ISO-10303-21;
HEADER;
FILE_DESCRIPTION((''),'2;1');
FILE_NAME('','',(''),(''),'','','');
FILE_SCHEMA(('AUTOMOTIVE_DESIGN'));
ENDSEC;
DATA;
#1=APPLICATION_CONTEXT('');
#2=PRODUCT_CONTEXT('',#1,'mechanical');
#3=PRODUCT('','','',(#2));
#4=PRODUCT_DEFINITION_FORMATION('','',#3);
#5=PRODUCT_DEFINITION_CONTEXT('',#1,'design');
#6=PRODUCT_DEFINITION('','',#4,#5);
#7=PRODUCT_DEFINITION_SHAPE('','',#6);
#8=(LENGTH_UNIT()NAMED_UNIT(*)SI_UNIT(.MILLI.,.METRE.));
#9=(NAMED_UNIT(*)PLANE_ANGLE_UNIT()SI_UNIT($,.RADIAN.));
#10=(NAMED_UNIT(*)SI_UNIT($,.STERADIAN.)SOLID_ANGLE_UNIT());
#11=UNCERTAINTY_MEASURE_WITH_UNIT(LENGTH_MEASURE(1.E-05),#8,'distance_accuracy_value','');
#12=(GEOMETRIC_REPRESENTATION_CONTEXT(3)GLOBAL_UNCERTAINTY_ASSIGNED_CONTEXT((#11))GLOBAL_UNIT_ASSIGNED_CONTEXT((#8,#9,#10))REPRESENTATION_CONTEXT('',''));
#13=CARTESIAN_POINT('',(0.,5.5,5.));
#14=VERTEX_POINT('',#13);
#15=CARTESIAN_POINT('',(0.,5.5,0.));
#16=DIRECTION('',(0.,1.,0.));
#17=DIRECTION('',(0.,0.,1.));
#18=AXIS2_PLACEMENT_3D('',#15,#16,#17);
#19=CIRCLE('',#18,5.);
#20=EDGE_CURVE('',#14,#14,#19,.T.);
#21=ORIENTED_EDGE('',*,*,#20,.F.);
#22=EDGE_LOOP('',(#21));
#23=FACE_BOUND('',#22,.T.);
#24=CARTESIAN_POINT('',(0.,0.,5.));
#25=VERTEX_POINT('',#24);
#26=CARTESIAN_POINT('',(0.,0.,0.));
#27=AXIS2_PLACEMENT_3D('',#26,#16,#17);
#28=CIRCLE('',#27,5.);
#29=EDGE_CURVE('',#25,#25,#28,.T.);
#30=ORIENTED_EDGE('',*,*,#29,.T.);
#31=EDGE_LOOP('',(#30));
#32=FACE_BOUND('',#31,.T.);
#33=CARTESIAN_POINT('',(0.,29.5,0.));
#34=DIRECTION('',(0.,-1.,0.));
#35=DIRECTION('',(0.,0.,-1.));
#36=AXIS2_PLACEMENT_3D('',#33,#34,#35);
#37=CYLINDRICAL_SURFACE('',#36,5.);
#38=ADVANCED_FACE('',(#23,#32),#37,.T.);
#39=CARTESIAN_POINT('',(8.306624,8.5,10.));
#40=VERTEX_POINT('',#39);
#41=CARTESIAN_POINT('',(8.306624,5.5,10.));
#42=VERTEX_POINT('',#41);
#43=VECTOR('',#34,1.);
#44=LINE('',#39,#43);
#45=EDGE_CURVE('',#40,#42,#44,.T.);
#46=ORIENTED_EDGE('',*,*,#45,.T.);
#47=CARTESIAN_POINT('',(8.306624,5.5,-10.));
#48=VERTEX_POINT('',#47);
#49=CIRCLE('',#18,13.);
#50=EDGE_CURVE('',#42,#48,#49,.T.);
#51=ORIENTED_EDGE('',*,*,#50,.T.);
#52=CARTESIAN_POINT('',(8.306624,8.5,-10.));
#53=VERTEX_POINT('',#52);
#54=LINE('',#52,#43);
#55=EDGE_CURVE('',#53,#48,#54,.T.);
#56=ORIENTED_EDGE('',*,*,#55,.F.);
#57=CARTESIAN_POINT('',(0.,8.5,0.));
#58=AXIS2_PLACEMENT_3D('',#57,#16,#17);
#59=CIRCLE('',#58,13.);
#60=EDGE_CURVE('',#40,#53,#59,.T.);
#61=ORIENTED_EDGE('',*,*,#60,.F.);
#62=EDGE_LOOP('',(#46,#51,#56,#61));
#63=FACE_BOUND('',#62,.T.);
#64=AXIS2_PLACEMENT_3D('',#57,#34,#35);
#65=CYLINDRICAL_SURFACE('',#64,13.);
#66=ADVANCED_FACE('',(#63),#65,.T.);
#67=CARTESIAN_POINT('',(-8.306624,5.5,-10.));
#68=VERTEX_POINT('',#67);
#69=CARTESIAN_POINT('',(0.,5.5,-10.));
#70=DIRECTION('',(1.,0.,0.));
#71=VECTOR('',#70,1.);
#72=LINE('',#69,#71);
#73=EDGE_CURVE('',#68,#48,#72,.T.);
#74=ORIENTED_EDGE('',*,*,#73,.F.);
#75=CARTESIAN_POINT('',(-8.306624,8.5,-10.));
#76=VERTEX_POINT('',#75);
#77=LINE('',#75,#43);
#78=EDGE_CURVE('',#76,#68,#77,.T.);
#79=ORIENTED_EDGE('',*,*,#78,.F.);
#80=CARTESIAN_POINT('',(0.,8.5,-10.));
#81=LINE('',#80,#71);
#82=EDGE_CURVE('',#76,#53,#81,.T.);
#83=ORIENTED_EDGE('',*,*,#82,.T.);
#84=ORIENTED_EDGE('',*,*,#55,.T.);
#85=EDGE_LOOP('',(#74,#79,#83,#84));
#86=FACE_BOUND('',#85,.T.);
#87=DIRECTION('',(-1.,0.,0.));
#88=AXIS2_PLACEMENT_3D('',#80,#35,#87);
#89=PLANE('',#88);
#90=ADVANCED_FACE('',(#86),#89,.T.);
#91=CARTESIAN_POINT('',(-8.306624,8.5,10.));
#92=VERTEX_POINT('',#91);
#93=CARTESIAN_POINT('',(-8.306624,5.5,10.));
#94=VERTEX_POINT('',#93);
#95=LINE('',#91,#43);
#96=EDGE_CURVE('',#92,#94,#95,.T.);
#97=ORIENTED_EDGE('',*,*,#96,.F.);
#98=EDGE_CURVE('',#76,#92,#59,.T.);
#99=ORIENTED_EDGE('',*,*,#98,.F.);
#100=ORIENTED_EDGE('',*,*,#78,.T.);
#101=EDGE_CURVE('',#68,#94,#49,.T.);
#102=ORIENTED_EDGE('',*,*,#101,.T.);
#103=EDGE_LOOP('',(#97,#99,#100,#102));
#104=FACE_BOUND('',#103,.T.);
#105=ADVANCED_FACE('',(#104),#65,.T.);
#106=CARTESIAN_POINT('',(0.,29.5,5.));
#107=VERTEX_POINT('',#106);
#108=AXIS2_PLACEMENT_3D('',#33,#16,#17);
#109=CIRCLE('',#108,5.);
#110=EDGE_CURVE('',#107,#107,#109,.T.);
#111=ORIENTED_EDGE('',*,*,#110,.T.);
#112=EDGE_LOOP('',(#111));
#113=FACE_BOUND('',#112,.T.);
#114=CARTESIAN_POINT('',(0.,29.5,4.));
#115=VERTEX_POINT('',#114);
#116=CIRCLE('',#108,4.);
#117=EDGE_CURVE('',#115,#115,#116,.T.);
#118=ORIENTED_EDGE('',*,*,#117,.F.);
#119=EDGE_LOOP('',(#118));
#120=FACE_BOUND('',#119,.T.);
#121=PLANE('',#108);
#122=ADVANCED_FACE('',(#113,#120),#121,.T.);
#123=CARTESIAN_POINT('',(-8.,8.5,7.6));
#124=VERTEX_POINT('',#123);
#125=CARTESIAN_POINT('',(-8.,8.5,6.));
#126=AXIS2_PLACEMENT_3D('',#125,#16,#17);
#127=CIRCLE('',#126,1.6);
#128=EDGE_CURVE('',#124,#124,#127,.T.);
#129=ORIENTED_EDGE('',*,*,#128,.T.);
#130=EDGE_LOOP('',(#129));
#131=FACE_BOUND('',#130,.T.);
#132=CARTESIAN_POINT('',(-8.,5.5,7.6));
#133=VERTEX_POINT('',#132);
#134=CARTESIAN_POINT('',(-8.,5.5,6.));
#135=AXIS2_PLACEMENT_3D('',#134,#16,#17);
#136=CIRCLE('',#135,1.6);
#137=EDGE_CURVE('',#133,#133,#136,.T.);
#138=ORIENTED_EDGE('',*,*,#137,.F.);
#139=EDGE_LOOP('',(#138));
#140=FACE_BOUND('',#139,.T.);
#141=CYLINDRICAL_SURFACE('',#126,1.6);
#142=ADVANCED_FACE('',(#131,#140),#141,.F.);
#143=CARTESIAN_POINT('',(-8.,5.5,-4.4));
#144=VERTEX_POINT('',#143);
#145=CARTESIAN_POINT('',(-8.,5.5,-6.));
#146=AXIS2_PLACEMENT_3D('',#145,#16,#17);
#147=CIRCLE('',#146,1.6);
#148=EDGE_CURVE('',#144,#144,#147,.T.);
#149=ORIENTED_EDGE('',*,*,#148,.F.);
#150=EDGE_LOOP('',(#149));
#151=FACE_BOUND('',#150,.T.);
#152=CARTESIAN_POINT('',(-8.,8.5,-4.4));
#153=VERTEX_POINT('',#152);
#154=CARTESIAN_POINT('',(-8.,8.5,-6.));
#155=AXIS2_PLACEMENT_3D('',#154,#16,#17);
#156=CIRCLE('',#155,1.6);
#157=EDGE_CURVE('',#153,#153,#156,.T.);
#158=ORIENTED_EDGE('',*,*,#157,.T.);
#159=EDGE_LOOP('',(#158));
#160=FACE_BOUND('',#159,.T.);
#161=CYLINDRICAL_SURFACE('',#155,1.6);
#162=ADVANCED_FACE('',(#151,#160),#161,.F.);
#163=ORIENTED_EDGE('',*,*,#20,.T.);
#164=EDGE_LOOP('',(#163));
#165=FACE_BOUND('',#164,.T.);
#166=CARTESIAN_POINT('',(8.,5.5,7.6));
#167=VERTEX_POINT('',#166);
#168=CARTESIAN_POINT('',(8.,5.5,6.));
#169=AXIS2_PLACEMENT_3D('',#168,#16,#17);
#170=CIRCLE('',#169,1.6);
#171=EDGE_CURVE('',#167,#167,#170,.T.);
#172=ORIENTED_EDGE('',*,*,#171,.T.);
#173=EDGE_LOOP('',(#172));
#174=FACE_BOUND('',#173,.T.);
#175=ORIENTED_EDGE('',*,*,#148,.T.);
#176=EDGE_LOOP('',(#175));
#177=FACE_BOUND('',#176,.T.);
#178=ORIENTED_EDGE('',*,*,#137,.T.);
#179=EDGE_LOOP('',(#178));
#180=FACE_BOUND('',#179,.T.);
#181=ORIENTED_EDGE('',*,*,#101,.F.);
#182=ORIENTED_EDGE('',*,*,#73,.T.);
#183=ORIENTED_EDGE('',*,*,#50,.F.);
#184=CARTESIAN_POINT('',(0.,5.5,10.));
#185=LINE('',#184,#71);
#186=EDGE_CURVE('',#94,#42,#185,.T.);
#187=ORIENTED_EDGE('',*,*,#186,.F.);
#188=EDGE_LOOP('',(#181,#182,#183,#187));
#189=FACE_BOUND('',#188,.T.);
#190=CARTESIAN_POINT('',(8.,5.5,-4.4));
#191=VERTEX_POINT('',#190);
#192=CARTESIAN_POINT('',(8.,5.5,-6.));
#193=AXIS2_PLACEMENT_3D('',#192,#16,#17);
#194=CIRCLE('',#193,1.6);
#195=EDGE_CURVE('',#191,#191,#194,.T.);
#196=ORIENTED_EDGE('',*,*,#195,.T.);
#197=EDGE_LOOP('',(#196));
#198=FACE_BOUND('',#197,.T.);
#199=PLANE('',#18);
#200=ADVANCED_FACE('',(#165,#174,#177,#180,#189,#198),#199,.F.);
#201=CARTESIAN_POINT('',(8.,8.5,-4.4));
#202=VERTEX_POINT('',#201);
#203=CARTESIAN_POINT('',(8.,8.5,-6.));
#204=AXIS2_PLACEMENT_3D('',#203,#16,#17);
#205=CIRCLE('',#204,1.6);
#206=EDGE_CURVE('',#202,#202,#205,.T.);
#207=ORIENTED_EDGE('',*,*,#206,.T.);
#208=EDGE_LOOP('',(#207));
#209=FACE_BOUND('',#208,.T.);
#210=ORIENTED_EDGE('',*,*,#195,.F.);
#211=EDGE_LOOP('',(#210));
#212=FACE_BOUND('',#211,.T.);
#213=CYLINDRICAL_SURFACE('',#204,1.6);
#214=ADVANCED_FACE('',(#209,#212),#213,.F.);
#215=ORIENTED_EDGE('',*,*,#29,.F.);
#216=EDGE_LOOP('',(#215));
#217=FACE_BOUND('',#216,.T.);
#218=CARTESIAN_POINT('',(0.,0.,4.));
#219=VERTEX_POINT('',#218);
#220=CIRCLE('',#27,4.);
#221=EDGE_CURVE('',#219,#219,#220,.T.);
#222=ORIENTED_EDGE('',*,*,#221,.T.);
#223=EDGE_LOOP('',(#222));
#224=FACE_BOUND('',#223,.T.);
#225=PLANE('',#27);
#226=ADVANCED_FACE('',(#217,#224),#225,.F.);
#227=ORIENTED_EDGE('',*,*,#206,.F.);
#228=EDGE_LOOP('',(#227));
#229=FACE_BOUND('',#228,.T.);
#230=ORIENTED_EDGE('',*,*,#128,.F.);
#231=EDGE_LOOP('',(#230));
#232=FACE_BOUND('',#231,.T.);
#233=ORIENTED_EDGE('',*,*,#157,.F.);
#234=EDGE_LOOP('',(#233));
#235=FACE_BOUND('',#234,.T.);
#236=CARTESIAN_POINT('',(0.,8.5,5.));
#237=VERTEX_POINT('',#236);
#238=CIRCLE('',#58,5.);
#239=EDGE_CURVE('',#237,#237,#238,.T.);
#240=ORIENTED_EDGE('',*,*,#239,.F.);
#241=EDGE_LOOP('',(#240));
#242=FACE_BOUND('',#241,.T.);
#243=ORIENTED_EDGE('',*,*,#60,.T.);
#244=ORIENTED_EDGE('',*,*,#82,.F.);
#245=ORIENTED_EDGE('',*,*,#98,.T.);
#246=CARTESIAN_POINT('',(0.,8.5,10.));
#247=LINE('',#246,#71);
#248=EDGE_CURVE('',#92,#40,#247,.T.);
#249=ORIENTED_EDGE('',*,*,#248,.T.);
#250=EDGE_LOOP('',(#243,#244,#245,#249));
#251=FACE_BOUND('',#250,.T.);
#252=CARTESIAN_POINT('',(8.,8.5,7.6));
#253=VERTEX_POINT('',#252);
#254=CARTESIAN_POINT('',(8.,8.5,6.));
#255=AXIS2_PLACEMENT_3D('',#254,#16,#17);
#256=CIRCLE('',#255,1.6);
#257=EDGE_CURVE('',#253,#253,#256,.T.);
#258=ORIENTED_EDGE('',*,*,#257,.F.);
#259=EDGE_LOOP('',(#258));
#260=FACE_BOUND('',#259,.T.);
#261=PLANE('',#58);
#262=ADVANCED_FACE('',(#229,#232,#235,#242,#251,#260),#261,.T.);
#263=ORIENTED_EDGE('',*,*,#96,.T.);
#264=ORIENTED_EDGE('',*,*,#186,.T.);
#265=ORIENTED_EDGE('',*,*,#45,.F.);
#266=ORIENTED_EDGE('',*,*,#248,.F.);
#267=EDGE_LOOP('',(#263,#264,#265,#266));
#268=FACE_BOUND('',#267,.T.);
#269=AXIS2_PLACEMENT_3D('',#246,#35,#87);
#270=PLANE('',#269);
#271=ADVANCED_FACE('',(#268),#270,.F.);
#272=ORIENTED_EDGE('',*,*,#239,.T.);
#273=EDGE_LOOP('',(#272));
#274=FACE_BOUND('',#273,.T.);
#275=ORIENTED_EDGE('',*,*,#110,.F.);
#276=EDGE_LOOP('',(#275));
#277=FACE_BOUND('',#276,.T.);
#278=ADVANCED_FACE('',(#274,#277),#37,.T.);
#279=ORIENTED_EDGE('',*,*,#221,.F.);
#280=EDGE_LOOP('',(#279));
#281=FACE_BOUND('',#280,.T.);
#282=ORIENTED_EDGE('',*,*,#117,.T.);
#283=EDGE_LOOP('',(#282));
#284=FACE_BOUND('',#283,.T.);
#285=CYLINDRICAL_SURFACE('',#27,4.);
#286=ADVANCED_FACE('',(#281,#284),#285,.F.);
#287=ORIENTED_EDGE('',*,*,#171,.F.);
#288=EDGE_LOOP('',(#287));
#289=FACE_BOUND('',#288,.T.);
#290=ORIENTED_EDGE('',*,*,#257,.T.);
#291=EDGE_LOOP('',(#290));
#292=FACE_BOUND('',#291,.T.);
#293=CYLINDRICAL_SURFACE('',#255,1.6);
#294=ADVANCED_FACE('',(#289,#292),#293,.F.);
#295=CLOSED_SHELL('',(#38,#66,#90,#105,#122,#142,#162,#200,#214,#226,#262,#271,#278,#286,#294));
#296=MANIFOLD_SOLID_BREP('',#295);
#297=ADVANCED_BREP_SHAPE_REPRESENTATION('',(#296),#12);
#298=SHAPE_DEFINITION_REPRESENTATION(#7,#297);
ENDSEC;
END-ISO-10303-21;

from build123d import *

# Parameters (mm, degrees)
SKETCH1_R                  = 5
BOSS_EXTRUDE1_DEPTH        = 29.5
BOSS_EXTRUDE2_DEPTH        = 3
SKETCH3_R                  = 4
CUT_EXTRUDE1_DEPTH         = 34.752777663
F_3_2_3_2_DIAMETER_HOLE1_D = 3.2


with BuildPart() as part:
    # Sketch1 → Boss-Extrude1 (new body)
    with BuildSketch(Plane(origin=(0, 0, 0), x_dir=(1, 0, 0), z_dir=(0, 1, 0))):
        with Locations(Location((0, 0, 0), (0, 0, 270))):
            Circle(SKETCH1_R)
    extrude(amount=BOSS_EXTRUDE1_DEPTH)

    # Sketch2 → Boss-Extrude2 (add)
    with BuildSketch(Plane(origin=(0, 5.5, 0), x_dir=(1, 0, 0), z_dir=(0, 1, 0))):
        with BuildLine():
            Line((8.306623863, 10), (-8.306623863, 10))
            ThreePointArc((-8.306623863, 10), (-11.768307238, 5.523309222), (-13, -2.7e-08))
            ThreePointArc((-13, -2.7e-08), (-11.768307226, -5.523309246), (-8.306623863, -10))
            Line((-8.306623863, -10), (8.306623863, -10))
            ThreePointArc((8.306623863, -10), (11.768307232, -5.523309234), (13, 0))
            ThreePointArc((13, 0), (11.768307232, 5.523309234), (8.306623863, 10))
        make_face()
    extrude(amount=BOSS_EXTRUDE2_DEPTH)

    # Sketch3 → Cut-Extrude1 (cut, through all)
    with BuildSketch(Plane(origin=(0, 29.5, 0), x_dir=(1, 0, 0), z_dir=(0, 1, 0))):
        with Locations(Location((0, 0, 0), (0, 0, 270))):
            Circle(SKETCH3_R)
    extrude(amount=-CUT_EXTRUDE1_DEPTH, mode=Mode.SUBTRACT)

    # Ø3.2 (3.2) Diameter Hole1 (through all)
    with Locations(Plane(origin=(8, 8.5, 6), x_dir=(0, 0, 1), z_dir=(0, 1, 0))):
        with Locations((0, 0), (-12, 0), (-12, -16), (0, -16)):
            Hole(F_3_2_3_2_DIAMETER_HOLE1_D / 2)


solid = part.part
